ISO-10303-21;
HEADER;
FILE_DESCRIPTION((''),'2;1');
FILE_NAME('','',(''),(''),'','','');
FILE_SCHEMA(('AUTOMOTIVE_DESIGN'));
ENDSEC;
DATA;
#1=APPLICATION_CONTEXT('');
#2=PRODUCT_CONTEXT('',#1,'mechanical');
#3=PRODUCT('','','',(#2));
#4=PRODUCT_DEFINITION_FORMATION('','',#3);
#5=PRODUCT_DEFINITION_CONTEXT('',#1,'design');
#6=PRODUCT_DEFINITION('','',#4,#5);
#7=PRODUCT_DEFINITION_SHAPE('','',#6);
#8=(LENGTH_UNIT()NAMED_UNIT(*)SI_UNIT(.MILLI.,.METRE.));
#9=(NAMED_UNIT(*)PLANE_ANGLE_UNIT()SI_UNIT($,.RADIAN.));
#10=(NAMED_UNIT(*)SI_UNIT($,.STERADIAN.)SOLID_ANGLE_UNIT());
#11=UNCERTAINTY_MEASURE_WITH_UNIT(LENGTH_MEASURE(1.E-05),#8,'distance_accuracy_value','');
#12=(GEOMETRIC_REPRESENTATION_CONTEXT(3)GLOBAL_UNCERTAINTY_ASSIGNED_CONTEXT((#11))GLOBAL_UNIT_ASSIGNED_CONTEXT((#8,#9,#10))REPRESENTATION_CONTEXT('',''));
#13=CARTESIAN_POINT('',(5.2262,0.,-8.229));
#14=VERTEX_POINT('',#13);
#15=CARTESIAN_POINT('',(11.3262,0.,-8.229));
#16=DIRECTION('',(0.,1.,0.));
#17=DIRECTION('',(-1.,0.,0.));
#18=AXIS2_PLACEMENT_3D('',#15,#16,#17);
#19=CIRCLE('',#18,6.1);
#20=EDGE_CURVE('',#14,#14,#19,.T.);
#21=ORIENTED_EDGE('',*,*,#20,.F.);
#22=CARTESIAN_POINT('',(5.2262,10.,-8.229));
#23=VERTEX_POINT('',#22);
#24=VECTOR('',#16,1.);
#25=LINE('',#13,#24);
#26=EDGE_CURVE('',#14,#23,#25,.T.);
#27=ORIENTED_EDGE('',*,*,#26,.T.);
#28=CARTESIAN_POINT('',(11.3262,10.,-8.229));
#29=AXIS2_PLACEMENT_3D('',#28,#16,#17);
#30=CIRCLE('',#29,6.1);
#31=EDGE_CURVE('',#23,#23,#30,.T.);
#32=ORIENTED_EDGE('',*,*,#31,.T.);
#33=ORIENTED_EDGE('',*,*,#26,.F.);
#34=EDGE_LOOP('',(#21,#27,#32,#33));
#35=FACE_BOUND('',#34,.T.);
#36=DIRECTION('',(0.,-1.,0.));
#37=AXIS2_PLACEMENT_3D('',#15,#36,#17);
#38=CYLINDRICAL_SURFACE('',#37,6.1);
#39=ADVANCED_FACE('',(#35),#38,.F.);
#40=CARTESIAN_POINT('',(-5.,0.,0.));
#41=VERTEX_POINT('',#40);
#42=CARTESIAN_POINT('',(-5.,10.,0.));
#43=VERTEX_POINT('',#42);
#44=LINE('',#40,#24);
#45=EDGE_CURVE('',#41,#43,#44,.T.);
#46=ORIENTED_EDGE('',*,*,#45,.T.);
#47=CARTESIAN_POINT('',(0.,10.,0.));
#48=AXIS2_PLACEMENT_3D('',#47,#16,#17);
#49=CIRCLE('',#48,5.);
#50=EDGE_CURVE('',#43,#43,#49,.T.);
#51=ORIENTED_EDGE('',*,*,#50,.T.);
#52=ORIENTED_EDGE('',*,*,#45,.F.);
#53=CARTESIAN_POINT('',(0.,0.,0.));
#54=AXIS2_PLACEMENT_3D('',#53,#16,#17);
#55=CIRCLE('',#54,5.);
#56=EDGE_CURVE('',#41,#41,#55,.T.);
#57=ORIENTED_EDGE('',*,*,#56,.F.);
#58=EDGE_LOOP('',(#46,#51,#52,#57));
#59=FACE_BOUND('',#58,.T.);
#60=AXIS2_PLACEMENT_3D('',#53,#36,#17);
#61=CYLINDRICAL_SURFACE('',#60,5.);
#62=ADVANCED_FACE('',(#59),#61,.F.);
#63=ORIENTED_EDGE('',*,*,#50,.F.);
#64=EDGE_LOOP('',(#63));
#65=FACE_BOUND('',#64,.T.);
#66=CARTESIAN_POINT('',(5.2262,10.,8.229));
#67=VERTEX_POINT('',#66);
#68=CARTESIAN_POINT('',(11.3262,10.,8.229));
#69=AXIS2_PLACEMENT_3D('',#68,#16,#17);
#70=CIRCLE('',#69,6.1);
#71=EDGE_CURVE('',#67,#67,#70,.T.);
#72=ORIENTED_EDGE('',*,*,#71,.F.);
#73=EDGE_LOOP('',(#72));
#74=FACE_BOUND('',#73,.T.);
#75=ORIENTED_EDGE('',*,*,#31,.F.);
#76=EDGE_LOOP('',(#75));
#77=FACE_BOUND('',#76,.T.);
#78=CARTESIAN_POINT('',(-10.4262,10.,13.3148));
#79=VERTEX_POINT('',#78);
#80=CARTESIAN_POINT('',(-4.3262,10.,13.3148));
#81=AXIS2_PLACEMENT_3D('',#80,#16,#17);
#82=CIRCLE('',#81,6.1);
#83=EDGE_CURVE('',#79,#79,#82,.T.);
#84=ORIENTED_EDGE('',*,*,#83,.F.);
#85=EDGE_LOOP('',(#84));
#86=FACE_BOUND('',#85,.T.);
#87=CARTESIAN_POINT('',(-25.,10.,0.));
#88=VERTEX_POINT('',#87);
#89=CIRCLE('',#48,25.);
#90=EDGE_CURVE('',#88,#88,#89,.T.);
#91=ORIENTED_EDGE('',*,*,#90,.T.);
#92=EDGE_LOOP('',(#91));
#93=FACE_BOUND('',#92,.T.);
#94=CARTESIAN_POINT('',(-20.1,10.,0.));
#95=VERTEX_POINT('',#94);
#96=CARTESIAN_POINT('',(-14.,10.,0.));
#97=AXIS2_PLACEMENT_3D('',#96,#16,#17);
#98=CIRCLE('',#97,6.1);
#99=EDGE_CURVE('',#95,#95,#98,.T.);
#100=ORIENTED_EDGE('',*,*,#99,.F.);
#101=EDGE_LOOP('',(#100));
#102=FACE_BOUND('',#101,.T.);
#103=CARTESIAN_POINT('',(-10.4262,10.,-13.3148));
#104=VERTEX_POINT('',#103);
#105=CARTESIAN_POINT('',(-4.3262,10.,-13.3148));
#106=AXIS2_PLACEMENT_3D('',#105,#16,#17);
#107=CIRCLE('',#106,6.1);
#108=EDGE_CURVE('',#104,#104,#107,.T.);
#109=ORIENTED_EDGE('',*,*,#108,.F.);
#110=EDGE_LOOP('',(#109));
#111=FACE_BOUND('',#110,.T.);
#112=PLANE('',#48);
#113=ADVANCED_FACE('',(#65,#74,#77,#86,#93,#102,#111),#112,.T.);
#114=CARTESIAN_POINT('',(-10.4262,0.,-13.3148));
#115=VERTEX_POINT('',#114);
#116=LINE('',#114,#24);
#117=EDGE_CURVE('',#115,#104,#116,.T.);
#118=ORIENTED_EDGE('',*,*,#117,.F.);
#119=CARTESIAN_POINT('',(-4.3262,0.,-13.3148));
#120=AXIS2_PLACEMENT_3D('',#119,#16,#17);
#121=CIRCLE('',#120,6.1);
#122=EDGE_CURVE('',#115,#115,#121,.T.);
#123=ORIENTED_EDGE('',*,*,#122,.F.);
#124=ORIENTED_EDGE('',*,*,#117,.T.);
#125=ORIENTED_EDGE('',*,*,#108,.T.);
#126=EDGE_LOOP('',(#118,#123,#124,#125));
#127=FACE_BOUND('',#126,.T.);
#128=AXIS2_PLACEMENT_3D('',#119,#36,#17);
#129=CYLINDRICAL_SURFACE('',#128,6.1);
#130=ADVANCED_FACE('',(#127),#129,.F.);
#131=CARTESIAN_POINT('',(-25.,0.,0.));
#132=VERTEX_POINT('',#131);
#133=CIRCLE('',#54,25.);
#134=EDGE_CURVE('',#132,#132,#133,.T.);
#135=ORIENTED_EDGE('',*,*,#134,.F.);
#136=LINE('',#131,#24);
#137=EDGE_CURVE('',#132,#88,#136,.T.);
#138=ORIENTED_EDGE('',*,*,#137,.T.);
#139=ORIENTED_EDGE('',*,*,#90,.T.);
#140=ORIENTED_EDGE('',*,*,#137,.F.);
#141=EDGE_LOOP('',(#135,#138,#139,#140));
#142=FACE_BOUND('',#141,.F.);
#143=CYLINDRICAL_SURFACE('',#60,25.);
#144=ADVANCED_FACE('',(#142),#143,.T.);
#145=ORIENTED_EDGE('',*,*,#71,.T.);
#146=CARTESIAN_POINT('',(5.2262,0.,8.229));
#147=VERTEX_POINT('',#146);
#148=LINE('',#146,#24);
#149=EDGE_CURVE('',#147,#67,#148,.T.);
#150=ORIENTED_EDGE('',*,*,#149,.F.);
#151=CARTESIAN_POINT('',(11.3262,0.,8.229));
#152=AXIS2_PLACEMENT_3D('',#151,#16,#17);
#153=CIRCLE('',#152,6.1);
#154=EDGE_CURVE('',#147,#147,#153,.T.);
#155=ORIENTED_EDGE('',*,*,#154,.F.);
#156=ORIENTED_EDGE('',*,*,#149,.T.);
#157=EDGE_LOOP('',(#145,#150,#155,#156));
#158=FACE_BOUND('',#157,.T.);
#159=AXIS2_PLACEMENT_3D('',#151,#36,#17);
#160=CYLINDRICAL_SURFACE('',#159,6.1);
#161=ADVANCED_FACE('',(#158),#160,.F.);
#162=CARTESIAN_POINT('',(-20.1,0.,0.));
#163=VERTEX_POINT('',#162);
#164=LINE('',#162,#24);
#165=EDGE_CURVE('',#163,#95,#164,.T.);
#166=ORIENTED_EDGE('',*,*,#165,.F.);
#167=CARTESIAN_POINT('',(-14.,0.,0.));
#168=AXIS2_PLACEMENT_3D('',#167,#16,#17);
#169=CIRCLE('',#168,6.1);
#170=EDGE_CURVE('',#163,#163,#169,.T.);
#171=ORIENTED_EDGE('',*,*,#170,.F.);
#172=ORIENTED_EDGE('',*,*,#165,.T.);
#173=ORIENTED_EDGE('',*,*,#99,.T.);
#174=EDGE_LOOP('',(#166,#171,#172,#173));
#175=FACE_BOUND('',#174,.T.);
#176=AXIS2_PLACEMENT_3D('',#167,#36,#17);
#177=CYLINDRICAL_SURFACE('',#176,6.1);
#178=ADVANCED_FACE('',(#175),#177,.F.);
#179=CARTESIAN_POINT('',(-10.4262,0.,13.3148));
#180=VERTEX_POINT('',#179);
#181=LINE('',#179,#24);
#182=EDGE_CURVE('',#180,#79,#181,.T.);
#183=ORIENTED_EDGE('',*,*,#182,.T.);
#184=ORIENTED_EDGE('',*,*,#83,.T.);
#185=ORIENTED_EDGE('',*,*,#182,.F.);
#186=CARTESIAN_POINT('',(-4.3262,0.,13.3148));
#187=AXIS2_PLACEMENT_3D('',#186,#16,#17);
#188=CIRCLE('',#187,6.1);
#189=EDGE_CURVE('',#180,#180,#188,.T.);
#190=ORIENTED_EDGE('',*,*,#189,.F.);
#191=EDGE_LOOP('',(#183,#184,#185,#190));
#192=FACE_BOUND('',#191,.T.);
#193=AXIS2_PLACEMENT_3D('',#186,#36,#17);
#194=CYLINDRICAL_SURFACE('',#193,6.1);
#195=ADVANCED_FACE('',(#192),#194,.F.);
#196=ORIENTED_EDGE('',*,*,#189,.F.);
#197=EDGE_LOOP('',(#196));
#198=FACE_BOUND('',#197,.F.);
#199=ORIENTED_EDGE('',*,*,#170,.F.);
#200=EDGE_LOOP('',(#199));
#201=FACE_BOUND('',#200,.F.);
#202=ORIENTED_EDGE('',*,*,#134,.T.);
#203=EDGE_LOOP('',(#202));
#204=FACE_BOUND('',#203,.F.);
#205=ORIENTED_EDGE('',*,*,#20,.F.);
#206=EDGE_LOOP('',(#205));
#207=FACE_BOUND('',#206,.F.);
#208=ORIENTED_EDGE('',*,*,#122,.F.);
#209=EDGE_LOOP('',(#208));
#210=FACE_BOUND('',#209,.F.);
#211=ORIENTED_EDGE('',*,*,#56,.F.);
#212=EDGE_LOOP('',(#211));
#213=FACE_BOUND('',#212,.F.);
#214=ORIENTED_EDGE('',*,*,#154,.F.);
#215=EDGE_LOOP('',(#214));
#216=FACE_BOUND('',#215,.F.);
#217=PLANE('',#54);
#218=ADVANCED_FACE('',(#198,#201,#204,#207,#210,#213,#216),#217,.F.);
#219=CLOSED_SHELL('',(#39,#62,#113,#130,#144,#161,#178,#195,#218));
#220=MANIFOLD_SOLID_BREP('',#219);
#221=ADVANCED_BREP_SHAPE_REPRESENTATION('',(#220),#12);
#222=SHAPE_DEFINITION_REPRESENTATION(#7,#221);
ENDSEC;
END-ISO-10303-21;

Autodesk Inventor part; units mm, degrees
ref_plane "YZ Plane" through (0, 0, 0) normal (1, 0, 0) x (0, 1, 0)
ref_plane "XZ Plane" through (0, 0, 0) normal (0, 1, 0) x (-1, 0, 0)
ref_plane "XY Plane" through (0, 0, 0) normal (0, 0, 1) x (1, 0, 0)
sketch "Эскиз1" plane through (0, 0, 0) normal (0, 1, 0) x (-1, 0, 0)
  circle A0 centre (0, 0) radius 5
  circle A1 centre (0, 0) radius 25
  circle A2 centre (14, 0) radius 6.1
  circle A3 centre (4.3262, 13.3148) radius 6.1
  circle A4 centre (-11.3262, 8.229) radius 6.1
  circle A5 centre (-11.3262, -8.229) radius 6.1
  circle A6 centre (4.3262, -13.3148) radius 6.1
  dimension "d2" = 10
  dimension "d3" = 50
  dimension "d4" = 12.2
  dimension "d5" = 14
  dimension "d6" = 360
extrude "Выдавливание1" add sketch "Эскиз1" along normal blind 10
properties part number "ротор редуктора"
